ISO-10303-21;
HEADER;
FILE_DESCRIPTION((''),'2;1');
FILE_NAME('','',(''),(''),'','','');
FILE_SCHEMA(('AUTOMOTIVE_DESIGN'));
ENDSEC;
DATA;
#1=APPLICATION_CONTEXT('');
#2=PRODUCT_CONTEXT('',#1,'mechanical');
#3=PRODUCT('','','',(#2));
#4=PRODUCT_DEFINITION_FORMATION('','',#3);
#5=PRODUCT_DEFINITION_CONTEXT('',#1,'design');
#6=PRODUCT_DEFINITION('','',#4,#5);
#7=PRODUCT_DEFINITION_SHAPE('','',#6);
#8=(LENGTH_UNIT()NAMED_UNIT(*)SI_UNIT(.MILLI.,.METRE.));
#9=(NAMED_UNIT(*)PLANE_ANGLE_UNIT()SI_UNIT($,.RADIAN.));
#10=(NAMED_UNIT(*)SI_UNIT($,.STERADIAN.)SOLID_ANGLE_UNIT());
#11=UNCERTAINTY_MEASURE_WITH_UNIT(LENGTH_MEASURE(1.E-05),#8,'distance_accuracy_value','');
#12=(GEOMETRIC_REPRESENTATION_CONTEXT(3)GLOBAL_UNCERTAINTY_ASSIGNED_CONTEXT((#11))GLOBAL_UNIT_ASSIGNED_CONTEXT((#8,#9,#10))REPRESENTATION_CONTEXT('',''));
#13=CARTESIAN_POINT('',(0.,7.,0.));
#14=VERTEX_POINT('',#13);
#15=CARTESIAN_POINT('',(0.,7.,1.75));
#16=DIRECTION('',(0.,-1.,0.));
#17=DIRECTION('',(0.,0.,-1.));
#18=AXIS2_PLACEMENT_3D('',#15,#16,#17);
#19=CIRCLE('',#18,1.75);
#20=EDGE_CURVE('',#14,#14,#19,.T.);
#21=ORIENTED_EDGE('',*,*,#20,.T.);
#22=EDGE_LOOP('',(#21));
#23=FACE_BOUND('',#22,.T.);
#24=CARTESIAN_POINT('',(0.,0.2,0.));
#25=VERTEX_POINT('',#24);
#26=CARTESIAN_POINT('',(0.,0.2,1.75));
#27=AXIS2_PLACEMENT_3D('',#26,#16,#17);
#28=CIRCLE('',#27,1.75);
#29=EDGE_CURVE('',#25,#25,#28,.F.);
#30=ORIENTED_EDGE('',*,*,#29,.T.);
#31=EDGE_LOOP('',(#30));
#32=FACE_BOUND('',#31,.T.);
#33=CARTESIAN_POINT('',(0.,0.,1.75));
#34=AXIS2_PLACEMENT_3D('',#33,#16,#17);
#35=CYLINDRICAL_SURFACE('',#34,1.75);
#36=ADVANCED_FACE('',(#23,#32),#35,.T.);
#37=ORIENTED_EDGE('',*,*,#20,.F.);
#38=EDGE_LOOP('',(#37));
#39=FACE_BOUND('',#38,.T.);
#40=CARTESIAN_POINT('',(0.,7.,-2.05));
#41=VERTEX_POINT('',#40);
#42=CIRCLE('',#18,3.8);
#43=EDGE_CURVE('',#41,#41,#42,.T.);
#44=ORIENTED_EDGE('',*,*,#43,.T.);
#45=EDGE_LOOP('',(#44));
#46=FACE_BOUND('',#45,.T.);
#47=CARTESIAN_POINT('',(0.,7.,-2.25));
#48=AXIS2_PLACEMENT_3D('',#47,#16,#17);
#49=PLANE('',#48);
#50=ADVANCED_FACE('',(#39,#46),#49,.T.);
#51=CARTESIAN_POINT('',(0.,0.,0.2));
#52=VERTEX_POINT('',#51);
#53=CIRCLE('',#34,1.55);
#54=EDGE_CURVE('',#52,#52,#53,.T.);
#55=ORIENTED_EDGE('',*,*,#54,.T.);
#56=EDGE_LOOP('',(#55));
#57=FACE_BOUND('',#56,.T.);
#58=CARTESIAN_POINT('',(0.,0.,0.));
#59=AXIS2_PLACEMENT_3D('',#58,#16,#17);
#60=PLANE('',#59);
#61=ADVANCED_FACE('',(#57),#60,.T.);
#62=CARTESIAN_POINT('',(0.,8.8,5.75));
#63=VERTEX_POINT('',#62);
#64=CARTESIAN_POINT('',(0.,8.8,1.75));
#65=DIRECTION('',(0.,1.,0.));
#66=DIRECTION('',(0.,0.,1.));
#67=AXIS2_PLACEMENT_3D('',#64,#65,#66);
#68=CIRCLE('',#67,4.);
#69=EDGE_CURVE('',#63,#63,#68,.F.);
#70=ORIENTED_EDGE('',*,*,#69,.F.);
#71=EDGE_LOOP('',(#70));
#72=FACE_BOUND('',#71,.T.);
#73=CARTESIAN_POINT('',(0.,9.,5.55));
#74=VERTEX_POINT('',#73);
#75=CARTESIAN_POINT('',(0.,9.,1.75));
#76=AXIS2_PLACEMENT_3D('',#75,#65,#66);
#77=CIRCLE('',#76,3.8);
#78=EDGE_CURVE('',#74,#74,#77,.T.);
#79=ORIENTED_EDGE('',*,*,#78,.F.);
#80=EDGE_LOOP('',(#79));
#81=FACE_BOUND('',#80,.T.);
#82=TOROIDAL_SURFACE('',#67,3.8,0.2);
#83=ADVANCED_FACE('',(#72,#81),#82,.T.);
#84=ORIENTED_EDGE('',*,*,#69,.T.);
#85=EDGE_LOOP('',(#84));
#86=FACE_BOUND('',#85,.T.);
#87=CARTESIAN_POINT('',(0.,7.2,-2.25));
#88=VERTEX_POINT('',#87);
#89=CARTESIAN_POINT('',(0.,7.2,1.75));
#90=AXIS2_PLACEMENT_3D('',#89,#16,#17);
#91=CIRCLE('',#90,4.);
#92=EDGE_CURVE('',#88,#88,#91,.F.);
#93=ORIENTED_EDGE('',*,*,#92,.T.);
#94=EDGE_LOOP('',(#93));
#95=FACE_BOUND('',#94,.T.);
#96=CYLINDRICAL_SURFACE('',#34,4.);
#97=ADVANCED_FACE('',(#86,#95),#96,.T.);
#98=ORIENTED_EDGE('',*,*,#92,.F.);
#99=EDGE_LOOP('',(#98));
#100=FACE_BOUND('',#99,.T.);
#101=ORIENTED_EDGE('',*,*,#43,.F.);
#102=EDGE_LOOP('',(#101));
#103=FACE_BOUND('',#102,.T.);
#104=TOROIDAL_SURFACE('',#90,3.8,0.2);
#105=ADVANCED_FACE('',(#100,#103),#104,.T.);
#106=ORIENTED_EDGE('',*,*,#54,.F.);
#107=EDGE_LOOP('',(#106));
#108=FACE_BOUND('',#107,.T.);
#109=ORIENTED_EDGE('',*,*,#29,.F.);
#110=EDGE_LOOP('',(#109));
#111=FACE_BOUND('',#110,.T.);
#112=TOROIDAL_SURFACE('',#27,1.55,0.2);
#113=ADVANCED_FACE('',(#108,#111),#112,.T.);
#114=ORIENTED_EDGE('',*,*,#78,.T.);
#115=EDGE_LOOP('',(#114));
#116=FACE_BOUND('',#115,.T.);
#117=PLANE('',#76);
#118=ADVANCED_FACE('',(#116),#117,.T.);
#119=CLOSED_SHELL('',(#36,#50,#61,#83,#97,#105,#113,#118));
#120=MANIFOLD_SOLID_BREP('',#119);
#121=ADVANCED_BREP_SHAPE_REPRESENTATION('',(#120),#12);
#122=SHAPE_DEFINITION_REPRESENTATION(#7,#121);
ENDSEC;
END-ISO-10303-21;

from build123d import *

# Parameters (mm, degrees)
FILLET1_R = 0.2


with BuildPart() as part:
    # Sketch1 → Revolve1 (revolve)
    with BuildSketch(Plane(origin=(0, 0, 0), x_dir=(0, 0, -1), z_dir=(1, 0, 0))):
        Polygon((0, 0), (-1.75, 0), (-1.75, 9), (2.25, 9), (2.25, 7), (0, 7), align=None)
    revolve(axis=Axis((0, 0, 1.75), (0, 1, 0)))

    # Fillet1
    fillet1_edges = [part.edges().sort_by_distance(p)[0] for p in [
        (0, 7, 5.75),
        (0, 9, 5.75),
        (0, 0, 3.5),
    ]]
    fillet(fillet1_edges, radius=FILLET1_R)


solid = part.part
